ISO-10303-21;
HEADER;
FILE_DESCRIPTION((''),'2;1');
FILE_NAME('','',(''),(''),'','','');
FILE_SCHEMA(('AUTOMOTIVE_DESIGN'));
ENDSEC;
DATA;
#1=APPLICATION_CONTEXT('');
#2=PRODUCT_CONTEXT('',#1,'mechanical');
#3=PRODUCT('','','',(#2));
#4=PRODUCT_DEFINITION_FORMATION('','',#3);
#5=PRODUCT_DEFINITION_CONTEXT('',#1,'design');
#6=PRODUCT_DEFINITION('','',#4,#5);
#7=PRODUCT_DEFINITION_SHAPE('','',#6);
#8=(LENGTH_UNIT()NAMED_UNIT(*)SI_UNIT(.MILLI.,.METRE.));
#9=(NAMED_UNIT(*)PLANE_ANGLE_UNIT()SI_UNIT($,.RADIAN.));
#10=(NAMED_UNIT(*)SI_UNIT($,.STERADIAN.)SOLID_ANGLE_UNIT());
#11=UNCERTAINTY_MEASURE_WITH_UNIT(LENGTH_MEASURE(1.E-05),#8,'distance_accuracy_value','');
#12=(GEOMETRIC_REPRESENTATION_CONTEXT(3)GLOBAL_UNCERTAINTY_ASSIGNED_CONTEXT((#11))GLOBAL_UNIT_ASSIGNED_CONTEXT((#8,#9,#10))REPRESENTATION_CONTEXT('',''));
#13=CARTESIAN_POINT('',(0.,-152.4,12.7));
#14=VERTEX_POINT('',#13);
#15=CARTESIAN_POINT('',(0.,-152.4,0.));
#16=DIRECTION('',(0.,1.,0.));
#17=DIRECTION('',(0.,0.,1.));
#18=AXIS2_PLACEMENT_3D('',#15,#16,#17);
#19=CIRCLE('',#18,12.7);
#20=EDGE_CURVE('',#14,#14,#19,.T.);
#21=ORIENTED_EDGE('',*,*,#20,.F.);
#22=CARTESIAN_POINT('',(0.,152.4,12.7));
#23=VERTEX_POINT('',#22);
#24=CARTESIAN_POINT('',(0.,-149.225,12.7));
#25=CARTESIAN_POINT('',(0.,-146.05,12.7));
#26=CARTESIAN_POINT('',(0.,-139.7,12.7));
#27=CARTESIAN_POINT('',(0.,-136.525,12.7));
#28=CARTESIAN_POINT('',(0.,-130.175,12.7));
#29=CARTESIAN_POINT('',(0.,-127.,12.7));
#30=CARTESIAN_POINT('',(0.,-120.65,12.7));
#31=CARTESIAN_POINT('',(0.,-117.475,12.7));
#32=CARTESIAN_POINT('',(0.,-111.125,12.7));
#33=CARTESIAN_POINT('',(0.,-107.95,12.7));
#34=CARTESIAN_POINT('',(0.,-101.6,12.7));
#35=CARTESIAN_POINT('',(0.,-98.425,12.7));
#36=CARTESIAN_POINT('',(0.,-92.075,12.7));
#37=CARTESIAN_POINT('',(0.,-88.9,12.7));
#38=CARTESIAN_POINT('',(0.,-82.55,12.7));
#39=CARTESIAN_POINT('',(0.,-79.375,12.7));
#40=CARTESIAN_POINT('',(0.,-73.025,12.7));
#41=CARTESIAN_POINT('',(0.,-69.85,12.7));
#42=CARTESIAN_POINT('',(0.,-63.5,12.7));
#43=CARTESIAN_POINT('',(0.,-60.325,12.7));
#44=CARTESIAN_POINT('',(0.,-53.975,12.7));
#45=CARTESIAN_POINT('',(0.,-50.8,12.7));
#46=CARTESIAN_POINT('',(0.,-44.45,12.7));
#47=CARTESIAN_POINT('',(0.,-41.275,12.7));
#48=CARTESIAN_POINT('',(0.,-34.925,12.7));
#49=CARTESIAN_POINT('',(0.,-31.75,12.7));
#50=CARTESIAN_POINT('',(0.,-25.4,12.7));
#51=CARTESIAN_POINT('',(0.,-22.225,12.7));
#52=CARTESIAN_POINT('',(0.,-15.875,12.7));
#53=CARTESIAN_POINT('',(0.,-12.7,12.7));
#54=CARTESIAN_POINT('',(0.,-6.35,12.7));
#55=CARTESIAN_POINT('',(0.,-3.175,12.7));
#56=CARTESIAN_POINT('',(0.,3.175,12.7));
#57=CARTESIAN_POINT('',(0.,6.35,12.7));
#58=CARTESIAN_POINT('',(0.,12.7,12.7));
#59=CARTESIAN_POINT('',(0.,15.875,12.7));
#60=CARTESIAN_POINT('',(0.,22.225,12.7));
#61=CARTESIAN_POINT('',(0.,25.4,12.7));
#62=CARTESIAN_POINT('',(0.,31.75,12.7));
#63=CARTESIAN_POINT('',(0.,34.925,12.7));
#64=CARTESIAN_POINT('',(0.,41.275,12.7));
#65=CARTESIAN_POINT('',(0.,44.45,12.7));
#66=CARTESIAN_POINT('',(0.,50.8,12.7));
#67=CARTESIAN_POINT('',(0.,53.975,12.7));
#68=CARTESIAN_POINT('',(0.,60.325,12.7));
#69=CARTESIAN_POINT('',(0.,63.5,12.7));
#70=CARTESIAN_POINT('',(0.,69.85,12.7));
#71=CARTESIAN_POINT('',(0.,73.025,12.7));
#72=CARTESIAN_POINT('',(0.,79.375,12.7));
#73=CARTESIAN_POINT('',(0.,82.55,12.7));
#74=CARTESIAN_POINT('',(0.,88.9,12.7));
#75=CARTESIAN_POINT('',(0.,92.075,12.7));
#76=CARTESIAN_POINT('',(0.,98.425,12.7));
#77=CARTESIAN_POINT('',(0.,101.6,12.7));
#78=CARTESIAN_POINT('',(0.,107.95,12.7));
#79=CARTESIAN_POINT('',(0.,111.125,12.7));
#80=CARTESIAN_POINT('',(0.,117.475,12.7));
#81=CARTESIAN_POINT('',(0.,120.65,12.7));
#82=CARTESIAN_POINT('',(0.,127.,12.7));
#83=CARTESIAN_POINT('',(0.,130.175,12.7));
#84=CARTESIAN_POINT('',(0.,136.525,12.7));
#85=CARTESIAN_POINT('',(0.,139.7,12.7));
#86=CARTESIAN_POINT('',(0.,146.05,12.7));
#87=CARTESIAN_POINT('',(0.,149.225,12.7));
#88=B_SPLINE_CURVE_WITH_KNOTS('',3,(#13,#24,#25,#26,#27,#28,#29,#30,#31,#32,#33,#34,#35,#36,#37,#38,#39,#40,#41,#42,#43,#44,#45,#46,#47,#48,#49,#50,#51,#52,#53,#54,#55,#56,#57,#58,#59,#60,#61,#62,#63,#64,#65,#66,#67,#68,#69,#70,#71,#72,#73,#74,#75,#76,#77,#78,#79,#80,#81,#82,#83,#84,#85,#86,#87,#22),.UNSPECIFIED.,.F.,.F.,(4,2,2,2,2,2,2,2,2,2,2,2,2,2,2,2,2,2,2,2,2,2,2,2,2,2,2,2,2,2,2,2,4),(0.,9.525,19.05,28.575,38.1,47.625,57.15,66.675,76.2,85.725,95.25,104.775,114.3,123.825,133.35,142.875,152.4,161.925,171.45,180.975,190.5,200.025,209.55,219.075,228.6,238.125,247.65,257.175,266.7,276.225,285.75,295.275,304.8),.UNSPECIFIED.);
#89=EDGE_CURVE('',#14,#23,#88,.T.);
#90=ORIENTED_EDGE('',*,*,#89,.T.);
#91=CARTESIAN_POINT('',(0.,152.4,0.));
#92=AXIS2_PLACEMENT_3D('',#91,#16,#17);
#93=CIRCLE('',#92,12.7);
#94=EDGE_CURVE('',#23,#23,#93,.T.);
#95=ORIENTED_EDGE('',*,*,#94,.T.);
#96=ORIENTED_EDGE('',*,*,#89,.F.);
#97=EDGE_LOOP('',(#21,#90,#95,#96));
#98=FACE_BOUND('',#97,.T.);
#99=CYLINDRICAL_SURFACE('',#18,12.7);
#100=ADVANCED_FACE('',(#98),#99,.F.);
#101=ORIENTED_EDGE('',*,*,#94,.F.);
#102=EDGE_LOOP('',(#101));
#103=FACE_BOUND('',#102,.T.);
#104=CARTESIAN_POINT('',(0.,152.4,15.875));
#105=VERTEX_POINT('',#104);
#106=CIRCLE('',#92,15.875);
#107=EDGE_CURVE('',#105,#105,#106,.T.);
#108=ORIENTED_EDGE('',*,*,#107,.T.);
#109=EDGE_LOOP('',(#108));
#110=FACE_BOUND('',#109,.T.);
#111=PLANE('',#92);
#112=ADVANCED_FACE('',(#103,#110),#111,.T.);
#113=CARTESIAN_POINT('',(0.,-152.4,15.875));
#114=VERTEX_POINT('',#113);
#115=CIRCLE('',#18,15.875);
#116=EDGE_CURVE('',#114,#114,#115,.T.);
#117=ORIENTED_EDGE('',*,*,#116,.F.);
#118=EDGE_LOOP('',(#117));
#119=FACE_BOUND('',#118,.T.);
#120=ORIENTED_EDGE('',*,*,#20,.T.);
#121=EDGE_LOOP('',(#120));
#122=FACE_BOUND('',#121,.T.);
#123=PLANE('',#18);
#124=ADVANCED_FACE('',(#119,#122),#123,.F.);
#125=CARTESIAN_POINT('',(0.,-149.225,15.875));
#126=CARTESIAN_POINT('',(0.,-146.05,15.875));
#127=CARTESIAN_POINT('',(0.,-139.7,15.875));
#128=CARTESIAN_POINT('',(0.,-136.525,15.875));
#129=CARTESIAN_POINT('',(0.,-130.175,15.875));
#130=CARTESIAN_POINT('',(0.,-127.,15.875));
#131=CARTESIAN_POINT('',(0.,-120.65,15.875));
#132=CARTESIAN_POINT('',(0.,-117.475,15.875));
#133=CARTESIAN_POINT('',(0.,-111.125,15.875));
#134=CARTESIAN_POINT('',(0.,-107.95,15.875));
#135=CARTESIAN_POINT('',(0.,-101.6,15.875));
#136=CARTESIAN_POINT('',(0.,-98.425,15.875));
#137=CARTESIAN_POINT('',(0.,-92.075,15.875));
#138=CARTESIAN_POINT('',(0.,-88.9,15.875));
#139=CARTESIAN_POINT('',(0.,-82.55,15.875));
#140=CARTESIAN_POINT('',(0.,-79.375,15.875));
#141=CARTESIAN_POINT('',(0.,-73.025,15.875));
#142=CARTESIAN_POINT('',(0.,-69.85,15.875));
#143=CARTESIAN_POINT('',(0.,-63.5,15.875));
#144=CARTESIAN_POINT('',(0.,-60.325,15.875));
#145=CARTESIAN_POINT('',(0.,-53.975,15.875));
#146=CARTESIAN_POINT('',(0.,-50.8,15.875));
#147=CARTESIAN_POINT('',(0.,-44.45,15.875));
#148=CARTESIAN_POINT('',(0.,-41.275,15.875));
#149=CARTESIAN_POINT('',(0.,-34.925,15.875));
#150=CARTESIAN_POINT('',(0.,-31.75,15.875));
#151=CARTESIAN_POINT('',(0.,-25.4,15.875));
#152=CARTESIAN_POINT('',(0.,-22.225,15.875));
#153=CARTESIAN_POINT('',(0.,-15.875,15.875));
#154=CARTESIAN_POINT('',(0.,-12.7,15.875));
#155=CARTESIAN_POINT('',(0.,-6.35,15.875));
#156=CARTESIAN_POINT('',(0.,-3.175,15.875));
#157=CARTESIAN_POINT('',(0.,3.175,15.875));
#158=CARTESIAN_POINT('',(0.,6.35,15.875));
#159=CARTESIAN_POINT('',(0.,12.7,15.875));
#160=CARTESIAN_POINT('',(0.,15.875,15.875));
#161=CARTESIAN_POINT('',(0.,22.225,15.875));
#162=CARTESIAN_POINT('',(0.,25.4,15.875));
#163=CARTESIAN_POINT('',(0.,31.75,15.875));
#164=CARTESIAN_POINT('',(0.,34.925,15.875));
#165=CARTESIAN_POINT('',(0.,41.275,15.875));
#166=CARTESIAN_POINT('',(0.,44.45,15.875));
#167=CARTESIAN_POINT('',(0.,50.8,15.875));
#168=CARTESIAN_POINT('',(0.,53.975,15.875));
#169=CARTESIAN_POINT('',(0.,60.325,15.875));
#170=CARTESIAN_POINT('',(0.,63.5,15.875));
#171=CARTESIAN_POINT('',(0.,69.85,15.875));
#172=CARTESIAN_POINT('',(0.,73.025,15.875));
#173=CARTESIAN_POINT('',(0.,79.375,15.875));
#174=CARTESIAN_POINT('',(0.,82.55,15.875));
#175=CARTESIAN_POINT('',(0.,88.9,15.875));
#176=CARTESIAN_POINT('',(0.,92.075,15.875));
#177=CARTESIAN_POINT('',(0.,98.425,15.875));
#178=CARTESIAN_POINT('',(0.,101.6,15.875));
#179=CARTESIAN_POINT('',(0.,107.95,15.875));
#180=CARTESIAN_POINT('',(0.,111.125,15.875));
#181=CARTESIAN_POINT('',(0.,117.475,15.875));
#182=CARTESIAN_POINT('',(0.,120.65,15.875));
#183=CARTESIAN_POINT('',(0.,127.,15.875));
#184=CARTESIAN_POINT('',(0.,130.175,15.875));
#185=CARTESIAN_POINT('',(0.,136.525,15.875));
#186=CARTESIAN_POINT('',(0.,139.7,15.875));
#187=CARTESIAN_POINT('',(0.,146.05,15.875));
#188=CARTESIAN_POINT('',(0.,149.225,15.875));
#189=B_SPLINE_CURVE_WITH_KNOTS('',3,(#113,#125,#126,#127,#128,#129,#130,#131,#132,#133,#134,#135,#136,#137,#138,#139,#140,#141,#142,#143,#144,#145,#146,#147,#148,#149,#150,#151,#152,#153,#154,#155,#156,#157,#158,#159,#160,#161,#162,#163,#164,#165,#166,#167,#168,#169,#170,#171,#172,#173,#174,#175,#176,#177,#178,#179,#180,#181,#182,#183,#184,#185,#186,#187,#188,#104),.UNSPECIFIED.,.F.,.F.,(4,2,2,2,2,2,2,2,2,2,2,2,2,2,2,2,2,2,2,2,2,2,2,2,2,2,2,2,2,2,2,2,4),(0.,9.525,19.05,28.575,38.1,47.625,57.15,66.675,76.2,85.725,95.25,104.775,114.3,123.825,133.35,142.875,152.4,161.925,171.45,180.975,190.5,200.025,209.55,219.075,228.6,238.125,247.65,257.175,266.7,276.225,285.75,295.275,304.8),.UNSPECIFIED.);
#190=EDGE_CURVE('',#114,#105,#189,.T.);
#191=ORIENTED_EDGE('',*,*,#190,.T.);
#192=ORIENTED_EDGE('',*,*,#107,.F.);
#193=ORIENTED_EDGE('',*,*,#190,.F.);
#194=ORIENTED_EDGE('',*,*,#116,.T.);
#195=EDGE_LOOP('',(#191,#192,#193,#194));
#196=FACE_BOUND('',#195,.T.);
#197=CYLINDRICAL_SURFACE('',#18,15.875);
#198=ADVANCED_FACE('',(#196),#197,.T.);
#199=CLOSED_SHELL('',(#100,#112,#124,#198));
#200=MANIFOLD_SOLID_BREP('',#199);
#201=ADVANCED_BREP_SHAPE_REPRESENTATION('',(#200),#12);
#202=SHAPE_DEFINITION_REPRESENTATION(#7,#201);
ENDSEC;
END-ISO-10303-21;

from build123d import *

# Parameters (mm, degrees)
TUBE_STOCK_EXTRUDE_DEPTH      = 152.4
TUBE_STOCK_EXTRUDE_DEPTH_BACK = 152.4
SKETCH2_R                     = 15.875
SKETCH2_R_2                   = 12.7


with BuildPart() as part:
    # Sketch2 → Tube Stock - Extrude (new, two sides: drawn at the far end of the back side and taken through both)
    with BuildSketch(Plane(origin=(0, 0, 0), x_dir=(1, 0, 0), z_dir=(0, 1, 0)).offset(-TUBE_STOCK_EXTRUDE_DEPTH_BACK)):
        with Locations(Location((0, 0, 0), (0, 0, 270))):
            Circle(SKETCH2_R)
        with Locations(Location((0, 0, 0), (0, 0, 270))):
            Circle(SKETCH2_R_2, mode=Mode.SUBTRACT)
    extrude(amount=TUBE_STOCK_EXTRUDE_DEPTH + TUBE_STOCK_EXTRUDE_DEPTH_BACK)


solid = part.part
